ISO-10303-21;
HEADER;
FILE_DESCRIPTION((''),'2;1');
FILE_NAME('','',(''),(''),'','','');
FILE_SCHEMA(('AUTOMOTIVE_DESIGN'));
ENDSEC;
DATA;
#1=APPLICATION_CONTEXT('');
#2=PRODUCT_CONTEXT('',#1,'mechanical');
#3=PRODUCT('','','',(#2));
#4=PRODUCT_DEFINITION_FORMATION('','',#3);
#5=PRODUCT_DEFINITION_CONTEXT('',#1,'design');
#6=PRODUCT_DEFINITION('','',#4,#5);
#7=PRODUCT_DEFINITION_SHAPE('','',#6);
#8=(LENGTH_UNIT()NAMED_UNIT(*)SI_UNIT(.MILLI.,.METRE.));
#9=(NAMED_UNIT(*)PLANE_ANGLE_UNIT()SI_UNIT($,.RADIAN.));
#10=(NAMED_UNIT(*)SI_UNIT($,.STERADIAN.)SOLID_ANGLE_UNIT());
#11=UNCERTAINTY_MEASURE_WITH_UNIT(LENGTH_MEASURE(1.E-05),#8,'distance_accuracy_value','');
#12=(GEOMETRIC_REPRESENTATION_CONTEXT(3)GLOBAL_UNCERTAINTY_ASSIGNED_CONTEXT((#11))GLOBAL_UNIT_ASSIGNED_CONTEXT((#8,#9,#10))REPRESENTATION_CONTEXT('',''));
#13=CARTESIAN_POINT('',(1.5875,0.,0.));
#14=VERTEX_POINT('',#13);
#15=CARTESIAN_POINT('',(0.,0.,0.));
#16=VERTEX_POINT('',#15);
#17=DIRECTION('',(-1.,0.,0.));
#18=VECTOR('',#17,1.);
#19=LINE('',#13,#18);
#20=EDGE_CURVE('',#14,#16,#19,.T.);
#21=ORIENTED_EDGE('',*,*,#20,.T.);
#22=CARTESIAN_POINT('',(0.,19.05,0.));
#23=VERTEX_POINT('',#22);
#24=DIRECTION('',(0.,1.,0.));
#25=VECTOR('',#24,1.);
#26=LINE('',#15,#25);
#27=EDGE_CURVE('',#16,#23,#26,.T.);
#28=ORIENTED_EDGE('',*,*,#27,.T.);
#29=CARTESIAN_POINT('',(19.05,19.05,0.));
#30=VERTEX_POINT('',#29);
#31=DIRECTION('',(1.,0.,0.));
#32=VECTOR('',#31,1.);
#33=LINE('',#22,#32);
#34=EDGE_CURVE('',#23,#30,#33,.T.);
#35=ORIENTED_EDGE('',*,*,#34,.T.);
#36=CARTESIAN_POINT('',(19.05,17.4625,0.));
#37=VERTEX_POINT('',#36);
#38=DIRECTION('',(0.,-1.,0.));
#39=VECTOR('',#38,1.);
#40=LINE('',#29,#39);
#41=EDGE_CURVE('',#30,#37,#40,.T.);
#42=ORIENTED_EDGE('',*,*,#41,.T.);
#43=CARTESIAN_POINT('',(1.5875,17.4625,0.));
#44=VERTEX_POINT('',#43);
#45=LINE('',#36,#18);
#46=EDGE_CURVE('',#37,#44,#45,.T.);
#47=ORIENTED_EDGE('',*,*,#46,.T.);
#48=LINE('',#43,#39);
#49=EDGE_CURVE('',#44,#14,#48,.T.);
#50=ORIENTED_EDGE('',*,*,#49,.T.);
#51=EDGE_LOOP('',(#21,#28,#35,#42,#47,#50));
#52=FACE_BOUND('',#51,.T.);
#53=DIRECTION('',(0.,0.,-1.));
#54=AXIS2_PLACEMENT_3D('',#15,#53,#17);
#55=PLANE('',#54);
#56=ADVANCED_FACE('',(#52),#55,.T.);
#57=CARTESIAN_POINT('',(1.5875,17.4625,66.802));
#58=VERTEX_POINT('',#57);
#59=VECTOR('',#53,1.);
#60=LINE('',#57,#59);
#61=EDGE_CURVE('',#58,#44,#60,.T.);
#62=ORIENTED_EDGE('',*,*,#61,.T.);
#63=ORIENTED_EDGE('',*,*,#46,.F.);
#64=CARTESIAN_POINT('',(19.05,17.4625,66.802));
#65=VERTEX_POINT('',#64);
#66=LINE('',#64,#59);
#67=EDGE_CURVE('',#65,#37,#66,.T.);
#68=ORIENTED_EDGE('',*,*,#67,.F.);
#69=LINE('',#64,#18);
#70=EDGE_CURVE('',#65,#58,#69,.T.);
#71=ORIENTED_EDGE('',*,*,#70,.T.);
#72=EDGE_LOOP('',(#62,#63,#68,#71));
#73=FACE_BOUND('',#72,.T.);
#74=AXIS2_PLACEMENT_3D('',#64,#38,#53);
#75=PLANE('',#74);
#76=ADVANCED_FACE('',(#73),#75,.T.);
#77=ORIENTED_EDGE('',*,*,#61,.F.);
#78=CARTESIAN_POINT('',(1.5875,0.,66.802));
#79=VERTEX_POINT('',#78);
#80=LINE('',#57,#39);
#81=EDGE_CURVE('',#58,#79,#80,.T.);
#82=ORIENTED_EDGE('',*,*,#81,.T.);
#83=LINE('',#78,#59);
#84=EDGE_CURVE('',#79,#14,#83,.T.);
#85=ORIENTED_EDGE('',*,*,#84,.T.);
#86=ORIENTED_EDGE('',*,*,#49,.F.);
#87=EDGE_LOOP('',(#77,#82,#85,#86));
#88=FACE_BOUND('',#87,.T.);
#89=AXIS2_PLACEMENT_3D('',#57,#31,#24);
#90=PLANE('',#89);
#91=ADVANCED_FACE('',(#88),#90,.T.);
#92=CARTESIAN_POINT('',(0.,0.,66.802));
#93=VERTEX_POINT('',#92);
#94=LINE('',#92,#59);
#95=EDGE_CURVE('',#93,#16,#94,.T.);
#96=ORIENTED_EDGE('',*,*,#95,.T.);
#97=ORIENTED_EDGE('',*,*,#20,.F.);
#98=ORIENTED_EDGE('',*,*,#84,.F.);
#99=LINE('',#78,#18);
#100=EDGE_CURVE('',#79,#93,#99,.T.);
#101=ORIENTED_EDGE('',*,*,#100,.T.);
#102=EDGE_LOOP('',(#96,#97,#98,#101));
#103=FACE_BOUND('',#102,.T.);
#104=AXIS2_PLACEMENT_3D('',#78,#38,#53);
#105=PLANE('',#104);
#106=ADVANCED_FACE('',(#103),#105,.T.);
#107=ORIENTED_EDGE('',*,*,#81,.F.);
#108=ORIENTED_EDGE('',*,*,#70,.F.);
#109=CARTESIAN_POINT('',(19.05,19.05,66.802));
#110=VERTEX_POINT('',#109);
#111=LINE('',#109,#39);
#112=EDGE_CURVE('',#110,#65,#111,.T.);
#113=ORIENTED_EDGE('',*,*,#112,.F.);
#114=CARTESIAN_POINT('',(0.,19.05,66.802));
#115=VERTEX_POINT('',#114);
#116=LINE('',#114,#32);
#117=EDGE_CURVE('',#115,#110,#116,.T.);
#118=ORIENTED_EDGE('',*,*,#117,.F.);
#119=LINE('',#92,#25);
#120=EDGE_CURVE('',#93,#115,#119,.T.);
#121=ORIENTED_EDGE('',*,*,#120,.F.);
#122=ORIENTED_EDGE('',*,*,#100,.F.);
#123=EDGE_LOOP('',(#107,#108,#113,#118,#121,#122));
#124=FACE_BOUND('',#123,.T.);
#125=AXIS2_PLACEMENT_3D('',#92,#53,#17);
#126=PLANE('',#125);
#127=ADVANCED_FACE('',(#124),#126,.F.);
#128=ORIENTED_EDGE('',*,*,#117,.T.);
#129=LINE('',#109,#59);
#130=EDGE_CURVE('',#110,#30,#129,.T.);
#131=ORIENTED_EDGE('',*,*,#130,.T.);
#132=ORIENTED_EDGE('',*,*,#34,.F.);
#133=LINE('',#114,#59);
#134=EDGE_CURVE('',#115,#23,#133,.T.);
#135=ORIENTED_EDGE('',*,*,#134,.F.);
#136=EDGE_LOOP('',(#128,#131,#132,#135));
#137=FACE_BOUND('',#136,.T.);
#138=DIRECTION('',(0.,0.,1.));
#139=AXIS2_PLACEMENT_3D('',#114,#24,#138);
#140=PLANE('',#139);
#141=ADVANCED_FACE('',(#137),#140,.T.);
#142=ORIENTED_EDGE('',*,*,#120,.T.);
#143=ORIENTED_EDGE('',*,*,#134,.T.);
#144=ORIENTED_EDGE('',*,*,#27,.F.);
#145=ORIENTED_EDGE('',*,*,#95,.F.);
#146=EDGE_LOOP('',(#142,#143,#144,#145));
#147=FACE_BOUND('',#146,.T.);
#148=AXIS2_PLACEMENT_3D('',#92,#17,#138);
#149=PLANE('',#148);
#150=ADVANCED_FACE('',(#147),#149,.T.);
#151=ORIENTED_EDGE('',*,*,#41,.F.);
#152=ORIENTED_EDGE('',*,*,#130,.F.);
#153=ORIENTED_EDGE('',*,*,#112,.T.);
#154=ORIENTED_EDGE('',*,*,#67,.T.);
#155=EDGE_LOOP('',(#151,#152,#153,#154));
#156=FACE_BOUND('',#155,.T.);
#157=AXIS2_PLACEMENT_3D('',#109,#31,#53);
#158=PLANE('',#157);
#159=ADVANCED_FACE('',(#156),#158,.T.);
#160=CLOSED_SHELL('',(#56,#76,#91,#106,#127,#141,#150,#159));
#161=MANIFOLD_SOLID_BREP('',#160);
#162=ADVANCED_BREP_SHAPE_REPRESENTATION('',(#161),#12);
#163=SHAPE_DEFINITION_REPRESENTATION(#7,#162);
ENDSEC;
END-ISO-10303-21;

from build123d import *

# Parameters (mm, degrees)
BOSS_EXTRUDE2_DEPTH = 66.802


with BuildPart() as part:
    # Sketch1 → Boss-Extrude2 (new body)
    with BuildSketch(Plane.XY):
        Polygon((0, 0), (0, 19.05), (19.05, 19.05), (19.05, 17.4625), (1.5875, 17.4625), (1.5875, 0), align=None)
    extrude(amount=BOSS_EXTRUDE2_DEPTH)


solid = part.part
